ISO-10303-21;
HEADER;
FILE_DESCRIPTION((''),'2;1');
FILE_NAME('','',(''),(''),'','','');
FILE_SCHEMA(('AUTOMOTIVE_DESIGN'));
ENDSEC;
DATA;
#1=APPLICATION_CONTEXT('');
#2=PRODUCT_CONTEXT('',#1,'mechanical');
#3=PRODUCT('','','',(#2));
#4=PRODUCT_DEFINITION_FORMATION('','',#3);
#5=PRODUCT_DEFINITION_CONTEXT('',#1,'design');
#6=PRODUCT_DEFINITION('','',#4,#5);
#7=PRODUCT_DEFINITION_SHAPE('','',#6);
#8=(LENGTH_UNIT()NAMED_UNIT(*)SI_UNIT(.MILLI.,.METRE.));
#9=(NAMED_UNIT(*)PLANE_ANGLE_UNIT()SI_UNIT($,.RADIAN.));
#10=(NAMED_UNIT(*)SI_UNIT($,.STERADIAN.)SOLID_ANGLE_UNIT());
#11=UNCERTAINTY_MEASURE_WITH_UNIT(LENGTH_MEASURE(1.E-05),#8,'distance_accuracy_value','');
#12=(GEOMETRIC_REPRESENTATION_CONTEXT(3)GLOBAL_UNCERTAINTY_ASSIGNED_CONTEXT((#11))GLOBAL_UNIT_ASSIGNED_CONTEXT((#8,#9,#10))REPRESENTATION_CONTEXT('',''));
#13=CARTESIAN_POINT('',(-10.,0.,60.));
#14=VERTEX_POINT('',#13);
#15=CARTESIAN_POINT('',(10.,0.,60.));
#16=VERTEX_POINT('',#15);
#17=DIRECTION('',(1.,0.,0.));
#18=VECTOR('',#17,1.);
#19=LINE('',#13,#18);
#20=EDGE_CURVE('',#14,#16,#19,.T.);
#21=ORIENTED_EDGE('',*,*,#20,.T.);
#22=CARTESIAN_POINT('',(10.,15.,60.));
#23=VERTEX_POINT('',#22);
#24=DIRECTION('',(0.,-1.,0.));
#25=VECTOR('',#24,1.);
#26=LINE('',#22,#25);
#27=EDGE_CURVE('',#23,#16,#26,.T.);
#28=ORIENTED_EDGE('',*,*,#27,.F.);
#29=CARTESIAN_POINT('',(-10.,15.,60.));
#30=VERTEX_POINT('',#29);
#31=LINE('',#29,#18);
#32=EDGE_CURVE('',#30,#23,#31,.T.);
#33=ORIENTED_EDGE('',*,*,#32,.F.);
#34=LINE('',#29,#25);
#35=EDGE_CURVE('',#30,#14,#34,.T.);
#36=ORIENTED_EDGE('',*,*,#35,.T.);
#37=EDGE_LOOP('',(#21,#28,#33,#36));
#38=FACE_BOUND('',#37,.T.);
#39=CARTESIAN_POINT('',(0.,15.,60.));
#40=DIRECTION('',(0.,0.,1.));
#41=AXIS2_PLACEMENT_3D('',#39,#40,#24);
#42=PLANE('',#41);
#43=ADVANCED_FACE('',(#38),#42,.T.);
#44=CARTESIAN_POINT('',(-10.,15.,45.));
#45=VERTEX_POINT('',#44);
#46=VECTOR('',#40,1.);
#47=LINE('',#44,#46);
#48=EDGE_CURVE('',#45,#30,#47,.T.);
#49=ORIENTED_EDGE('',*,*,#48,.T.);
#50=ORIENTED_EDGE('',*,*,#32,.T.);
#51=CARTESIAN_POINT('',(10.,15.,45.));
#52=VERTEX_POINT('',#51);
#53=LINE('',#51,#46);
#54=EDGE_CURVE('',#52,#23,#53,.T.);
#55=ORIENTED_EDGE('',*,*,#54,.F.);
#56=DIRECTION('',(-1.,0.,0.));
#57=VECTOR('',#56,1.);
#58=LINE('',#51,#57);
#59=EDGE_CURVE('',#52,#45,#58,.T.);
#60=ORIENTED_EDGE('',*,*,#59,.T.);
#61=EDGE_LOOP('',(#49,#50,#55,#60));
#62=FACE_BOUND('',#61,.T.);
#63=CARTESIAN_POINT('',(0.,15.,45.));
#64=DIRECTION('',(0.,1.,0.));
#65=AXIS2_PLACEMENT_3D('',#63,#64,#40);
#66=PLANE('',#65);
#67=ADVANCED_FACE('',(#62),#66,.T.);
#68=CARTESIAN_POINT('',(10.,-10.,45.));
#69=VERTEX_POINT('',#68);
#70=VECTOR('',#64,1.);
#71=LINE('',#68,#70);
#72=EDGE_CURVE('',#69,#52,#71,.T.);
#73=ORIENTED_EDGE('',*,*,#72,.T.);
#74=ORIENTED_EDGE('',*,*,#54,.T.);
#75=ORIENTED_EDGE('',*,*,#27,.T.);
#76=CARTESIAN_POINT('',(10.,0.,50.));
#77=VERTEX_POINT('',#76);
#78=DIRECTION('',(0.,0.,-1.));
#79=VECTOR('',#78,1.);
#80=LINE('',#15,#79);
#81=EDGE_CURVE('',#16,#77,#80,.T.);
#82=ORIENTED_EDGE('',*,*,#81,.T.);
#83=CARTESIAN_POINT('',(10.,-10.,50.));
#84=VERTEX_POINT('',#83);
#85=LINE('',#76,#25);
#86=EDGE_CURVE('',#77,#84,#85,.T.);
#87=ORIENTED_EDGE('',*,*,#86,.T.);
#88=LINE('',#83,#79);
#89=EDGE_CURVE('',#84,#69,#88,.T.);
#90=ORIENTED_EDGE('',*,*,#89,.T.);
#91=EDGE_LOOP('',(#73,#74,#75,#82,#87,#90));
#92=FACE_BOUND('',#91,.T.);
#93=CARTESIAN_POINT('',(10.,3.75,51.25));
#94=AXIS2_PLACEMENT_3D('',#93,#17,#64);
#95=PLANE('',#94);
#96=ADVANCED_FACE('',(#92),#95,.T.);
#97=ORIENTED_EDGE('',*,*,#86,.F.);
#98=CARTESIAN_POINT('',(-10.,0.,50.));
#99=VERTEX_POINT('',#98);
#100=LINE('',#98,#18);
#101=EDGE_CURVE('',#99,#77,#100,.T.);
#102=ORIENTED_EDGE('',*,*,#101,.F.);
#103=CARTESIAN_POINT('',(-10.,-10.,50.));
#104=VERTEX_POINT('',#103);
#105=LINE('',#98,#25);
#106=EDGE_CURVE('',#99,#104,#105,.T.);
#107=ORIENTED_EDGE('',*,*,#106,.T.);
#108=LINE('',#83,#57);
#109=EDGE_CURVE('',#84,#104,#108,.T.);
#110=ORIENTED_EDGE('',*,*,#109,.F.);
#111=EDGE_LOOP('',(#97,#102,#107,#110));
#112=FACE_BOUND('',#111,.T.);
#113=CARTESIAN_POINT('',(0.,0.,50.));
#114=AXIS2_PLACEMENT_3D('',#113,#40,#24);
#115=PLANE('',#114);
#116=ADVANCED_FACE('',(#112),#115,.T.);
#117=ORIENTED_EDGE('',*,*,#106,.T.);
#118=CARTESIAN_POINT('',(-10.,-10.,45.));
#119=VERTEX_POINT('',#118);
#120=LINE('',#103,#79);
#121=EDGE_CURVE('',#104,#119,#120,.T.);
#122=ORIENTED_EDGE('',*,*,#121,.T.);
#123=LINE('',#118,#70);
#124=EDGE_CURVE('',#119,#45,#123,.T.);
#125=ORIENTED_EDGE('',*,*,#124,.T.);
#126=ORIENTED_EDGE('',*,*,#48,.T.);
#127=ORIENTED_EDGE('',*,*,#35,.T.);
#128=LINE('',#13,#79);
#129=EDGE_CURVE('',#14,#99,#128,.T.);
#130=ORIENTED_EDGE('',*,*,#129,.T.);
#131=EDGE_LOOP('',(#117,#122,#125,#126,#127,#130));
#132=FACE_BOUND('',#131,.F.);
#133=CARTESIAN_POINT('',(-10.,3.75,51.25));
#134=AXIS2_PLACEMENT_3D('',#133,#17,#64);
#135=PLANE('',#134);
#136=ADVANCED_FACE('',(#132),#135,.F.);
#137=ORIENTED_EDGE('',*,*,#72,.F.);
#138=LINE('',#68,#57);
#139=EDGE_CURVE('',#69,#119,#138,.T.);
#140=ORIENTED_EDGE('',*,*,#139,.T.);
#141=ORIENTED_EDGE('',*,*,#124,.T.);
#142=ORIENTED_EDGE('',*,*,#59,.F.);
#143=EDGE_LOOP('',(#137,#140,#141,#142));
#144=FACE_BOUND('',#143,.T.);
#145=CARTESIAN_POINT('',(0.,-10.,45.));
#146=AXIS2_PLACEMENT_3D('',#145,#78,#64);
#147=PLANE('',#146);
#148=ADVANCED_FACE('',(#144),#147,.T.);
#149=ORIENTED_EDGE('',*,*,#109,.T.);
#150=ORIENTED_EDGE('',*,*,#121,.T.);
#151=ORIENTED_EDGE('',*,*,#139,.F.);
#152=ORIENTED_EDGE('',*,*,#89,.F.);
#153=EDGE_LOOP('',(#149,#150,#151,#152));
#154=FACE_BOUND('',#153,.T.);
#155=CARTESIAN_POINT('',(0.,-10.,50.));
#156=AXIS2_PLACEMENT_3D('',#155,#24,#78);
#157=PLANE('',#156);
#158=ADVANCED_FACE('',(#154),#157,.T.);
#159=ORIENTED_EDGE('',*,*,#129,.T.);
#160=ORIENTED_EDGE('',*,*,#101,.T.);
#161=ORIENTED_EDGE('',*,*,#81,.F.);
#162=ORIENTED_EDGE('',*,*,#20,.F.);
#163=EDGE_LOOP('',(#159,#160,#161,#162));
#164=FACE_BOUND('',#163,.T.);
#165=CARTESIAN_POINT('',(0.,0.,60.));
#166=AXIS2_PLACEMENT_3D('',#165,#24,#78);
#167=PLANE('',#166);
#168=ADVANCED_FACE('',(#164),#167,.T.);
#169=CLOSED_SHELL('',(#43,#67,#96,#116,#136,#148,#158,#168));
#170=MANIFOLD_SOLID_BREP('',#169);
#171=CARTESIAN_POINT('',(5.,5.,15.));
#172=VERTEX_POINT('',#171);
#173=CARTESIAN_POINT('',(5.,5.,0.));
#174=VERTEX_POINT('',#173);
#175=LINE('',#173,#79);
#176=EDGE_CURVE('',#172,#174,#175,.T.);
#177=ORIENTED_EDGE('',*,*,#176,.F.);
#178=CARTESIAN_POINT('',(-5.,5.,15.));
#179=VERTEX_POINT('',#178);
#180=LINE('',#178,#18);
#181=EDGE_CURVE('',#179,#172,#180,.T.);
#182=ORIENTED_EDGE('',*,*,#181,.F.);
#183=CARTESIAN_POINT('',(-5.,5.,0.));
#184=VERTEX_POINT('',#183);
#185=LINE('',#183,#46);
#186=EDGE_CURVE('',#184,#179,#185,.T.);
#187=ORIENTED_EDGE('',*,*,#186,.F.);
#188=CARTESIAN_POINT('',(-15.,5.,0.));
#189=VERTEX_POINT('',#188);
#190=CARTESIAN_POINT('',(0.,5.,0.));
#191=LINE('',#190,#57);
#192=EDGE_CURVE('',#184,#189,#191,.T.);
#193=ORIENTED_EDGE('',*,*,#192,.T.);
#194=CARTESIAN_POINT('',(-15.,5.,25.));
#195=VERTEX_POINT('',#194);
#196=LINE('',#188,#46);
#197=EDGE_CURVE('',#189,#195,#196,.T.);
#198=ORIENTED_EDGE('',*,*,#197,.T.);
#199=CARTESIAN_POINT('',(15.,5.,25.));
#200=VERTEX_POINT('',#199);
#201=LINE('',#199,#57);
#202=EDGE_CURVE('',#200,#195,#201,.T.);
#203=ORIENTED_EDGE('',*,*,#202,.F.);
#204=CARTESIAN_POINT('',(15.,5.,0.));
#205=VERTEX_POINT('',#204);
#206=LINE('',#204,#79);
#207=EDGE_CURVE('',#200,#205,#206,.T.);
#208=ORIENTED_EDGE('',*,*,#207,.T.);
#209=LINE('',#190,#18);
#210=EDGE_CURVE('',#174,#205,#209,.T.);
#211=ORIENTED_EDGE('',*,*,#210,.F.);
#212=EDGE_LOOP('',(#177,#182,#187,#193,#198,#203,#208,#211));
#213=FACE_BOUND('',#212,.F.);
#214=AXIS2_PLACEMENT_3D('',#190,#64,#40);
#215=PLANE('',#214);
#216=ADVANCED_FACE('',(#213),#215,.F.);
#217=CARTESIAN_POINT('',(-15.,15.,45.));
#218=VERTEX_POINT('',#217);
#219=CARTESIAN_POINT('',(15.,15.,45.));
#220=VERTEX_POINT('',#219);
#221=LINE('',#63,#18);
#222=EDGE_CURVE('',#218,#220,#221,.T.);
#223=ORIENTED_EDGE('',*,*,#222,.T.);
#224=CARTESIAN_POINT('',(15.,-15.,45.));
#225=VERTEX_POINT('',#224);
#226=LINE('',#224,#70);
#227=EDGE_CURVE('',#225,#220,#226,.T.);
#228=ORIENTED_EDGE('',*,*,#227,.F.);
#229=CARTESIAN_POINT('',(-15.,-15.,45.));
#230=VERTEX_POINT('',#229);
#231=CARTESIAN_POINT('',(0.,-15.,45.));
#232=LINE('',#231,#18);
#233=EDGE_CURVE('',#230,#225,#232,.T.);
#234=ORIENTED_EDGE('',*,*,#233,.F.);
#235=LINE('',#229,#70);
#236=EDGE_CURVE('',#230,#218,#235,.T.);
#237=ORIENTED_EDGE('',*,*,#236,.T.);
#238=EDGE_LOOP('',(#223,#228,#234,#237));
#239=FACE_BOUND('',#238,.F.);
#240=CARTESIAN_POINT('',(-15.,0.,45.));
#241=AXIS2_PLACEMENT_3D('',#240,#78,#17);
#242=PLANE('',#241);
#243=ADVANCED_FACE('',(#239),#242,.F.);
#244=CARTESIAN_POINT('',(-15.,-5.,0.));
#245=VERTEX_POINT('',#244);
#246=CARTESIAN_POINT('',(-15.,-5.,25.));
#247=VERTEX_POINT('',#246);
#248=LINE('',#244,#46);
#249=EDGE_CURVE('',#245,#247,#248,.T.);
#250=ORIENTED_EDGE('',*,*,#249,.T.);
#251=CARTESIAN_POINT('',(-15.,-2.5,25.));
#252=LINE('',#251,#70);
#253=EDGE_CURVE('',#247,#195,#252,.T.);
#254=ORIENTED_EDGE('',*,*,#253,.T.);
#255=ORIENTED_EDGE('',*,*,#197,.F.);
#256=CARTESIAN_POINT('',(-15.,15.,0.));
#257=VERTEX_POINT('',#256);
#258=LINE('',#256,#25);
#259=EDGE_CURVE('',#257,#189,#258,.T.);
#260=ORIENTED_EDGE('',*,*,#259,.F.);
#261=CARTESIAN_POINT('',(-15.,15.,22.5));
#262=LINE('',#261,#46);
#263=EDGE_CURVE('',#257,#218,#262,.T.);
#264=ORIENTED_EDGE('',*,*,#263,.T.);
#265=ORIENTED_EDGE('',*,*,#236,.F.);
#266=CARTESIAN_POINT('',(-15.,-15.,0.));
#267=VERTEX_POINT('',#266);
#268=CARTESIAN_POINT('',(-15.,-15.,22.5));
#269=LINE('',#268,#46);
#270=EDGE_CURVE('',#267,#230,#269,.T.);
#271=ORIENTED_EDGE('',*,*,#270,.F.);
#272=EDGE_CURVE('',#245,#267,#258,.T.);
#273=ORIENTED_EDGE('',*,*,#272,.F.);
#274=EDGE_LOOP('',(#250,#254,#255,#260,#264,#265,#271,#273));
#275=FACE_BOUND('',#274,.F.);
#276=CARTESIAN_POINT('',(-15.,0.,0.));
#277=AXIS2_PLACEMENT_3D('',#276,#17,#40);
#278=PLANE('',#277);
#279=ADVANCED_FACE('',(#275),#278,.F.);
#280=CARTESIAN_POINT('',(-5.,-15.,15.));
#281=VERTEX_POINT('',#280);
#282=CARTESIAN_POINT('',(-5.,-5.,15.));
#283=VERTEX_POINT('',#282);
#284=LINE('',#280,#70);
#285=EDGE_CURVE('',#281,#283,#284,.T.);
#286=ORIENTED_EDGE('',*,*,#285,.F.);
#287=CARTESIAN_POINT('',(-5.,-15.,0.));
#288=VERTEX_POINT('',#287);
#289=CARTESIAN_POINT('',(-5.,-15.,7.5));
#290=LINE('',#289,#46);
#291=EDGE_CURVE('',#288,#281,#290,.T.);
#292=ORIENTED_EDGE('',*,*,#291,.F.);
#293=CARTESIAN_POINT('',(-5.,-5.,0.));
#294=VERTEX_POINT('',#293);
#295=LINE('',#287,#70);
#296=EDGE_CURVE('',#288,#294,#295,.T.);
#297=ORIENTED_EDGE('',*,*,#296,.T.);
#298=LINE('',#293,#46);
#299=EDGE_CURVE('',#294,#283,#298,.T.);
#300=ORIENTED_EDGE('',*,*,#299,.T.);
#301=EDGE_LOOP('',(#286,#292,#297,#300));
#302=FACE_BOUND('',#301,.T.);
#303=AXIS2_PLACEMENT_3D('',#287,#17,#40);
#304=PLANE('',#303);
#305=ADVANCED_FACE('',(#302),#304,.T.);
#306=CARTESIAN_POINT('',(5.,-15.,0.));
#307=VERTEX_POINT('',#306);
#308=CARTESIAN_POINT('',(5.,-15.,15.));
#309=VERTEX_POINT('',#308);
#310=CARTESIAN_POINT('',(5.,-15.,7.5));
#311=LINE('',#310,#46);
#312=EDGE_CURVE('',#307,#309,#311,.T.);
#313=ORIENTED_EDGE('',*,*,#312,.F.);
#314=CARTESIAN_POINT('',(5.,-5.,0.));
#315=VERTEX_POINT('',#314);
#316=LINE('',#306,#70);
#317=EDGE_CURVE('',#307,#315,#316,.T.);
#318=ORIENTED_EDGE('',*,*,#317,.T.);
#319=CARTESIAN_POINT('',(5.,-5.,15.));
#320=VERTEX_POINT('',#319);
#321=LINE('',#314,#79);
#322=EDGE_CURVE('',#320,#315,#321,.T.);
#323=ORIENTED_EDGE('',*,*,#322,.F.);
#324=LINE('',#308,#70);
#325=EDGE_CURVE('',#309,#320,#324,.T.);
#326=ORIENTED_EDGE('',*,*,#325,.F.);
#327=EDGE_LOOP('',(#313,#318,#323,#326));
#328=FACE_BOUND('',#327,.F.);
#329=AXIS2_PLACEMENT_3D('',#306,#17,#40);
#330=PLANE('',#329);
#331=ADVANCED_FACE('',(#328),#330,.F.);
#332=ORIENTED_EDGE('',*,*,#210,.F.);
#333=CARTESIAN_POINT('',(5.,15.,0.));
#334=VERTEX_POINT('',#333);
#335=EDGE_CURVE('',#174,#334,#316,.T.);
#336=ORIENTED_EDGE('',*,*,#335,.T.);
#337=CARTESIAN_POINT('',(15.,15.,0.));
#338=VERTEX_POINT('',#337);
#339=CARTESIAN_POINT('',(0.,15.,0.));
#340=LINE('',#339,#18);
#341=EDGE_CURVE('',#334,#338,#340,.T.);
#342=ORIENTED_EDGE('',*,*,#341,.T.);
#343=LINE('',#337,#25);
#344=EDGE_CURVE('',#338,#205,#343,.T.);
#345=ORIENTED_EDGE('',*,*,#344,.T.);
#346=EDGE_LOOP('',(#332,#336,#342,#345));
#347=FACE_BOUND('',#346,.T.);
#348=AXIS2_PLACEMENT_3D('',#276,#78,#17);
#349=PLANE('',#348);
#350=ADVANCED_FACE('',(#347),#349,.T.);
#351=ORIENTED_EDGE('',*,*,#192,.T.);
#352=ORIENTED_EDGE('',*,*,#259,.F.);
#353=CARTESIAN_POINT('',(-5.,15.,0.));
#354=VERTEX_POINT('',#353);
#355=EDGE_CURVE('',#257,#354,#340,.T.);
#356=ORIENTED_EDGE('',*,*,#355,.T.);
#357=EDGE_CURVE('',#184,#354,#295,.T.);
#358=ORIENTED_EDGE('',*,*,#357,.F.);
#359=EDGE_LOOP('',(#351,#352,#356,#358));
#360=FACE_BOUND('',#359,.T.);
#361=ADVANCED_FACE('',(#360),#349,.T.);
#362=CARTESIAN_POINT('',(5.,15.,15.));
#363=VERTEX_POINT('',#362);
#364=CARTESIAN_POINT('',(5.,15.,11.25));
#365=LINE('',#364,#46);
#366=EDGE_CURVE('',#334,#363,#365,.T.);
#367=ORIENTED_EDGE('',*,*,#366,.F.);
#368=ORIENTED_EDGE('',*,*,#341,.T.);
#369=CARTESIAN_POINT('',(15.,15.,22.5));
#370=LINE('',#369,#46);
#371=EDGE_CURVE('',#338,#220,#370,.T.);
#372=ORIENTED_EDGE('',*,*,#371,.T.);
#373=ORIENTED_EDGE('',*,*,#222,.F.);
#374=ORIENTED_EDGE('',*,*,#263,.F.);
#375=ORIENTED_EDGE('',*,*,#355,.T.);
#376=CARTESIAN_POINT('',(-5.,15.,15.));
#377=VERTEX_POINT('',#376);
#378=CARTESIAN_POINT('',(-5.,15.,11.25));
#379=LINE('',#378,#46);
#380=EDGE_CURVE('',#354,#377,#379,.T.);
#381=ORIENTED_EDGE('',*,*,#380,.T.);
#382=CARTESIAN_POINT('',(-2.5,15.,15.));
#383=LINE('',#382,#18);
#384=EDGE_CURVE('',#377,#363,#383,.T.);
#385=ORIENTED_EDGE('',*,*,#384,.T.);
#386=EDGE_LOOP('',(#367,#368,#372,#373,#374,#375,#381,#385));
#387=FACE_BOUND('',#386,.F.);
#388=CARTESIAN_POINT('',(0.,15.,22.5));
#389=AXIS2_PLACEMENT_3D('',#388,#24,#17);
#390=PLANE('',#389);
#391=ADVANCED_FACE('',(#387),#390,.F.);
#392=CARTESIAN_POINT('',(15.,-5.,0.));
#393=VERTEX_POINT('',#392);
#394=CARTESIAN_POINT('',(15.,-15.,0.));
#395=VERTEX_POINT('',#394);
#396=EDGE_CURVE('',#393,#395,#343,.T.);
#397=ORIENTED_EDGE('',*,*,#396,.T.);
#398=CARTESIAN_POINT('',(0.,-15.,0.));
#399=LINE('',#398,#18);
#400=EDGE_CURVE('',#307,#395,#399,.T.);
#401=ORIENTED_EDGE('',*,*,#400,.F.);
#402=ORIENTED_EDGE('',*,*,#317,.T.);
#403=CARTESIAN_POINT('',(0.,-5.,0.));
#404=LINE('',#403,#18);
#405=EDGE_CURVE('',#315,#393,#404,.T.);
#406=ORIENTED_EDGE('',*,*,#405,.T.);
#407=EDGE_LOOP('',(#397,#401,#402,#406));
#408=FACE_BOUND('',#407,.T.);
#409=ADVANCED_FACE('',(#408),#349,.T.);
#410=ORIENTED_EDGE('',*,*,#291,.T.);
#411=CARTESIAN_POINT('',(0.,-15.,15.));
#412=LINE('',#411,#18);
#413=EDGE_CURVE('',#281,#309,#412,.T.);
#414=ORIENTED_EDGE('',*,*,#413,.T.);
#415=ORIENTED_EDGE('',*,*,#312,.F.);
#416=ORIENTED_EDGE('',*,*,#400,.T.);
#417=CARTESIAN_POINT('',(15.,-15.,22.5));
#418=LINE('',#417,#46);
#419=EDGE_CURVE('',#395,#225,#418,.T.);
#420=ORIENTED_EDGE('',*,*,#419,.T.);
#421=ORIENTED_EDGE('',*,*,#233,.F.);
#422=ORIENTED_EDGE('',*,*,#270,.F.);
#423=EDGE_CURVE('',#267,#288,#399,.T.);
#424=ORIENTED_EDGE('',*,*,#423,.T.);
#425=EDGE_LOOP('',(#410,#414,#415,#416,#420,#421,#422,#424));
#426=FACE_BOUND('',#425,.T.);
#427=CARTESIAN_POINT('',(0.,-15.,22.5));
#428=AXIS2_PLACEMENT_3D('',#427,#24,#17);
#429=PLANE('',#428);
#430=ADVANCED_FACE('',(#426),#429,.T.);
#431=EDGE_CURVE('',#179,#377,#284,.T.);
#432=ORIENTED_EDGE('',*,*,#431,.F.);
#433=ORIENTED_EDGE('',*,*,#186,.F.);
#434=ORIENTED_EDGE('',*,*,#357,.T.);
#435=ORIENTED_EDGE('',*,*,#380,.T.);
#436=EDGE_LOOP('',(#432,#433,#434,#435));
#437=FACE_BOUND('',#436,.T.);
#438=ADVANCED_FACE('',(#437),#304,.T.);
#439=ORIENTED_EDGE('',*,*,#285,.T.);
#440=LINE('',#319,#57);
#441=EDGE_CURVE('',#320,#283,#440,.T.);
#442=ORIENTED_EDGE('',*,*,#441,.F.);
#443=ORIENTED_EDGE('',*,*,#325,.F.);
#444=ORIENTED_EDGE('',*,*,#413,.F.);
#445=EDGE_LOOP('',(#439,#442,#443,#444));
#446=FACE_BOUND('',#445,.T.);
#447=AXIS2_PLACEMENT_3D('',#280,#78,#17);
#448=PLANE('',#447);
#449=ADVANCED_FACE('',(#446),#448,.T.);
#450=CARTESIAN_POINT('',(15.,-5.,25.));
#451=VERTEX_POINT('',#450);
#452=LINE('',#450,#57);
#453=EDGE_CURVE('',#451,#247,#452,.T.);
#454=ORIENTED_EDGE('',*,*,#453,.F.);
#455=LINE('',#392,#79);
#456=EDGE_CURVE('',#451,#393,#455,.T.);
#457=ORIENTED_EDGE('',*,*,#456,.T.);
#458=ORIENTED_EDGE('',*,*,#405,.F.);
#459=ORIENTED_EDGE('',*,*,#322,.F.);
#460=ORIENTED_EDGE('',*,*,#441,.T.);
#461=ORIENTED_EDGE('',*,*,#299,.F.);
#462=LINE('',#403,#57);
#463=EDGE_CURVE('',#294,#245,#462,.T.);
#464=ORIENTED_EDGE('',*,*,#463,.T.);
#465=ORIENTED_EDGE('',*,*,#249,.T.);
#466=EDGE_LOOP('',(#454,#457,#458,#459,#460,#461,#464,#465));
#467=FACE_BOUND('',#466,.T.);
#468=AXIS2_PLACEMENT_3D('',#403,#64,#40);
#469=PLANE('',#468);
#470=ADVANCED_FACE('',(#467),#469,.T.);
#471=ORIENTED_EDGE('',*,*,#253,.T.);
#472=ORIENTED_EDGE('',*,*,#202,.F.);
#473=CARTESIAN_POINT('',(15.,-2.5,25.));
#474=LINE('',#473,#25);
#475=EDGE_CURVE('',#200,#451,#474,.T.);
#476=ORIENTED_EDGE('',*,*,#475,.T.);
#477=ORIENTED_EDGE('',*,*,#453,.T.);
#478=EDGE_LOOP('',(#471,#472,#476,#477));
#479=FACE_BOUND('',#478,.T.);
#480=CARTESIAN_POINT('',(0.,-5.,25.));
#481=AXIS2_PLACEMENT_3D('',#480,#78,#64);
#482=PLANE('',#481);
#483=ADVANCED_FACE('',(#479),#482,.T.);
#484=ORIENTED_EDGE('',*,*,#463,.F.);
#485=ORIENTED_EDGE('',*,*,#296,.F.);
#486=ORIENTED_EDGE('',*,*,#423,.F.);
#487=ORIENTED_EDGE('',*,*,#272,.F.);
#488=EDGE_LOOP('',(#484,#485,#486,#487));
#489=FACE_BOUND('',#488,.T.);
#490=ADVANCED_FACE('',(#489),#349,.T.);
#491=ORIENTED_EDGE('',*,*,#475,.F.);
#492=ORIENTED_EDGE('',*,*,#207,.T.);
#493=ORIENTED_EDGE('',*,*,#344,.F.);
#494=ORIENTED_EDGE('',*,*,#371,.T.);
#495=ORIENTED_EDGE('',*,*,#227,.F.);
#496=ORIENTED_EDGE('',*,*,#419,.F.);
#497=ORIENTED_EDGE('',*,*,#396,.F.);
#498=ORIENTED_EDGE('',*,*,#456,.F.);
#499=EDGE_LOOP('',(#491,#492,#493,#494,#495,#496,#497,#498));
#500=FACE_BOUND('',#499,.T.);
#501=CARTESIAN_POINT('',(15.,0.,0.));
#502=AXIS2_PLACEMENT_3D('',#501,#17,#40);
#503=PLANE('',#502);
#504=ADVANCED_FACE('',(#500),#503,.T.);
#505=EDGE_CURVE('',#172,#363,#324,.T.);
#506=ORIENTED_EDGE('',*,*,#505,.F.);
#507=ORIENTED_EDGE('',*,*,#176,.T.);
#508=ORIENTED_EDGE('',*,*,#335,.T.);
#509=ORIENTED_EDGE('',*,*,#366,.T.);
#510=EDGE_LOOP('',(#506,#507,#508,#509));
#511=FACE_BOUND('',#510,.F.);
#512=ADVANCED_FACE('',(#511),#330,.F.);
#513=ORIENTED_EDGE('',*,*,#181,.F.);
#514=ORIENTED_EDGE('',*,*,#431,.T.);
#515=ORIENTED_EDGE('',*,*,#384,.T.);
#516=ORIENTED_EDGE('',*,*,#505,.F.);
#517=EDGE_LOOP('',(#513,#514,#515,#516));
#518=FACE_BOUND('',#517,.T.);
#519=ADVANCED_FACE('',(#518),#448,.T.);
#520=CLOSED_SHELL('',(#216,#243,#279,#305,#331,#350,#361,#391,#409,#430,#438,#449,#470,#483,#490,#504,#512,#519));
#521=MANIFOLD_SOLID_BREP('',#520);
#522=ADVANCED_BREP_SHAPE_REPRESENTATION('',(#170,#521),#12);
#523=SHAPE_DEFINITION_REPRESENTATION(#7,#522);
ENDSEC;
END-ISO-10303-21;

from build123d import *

# Parameters (mm, degrees)
F0_W          = 30
F0_H          = 45
F1_DEPTH      = 15
F2_W          = 10
F2_H          = 15
F3_DEPTH      = 30.001
F4_W          = 10
F4_H          = 25
F5_DEPTH      = 15.001
F5_DEPTH_BACK = 15.001
F7_DEPTH      = 10


with BuildPart() as f1:
    # F0 (on Front) → F1 (new body, symmetric)
    with BuildSketch(Plane.XZ):
        with Locations((0, 22.5)):
            Rectangle(F0_W, F0_H)
    extrude(amount=F1_DEPTH, both=True)

    # F2 (on face) → F3 (cut, through all)
    with BuildSketch(Plane.XZ.offset(15)):
        with Locations((0, 7.5)):
            Rectangle(F2_W, F2_H)
    extrude(amount=-F3_DEPTH, mode=Mode.SUBTRACT)

    # F4 (on Right) → F5 (cut, two sides)
    with BuildSketch(Plane.YZ) as f5_sk:
        with Locations((0, 12.5)):
            Rectangle(F4_W, F4_H)
    extrude(amount=-F5_DEPTH, mode=Mode.SUBTRACT)
    extrude(f5_sk.sketch, amount=F5_DEPTH_BACK, mode=Mode.SUBTRACT)


with BuildPart() as f7:
    # F6 (on Right) → F7 (new body, symmetric)
    with BuildSketch(Plane.YZ):
        Polygon((15, 45), (15, 60), (0, 60), (0, 50), (-10, 50), (-10, 45), align=None)
    extrude(amount=F7_DEPTH, both=True)


solid = Compound([f1.part, f7.part])
